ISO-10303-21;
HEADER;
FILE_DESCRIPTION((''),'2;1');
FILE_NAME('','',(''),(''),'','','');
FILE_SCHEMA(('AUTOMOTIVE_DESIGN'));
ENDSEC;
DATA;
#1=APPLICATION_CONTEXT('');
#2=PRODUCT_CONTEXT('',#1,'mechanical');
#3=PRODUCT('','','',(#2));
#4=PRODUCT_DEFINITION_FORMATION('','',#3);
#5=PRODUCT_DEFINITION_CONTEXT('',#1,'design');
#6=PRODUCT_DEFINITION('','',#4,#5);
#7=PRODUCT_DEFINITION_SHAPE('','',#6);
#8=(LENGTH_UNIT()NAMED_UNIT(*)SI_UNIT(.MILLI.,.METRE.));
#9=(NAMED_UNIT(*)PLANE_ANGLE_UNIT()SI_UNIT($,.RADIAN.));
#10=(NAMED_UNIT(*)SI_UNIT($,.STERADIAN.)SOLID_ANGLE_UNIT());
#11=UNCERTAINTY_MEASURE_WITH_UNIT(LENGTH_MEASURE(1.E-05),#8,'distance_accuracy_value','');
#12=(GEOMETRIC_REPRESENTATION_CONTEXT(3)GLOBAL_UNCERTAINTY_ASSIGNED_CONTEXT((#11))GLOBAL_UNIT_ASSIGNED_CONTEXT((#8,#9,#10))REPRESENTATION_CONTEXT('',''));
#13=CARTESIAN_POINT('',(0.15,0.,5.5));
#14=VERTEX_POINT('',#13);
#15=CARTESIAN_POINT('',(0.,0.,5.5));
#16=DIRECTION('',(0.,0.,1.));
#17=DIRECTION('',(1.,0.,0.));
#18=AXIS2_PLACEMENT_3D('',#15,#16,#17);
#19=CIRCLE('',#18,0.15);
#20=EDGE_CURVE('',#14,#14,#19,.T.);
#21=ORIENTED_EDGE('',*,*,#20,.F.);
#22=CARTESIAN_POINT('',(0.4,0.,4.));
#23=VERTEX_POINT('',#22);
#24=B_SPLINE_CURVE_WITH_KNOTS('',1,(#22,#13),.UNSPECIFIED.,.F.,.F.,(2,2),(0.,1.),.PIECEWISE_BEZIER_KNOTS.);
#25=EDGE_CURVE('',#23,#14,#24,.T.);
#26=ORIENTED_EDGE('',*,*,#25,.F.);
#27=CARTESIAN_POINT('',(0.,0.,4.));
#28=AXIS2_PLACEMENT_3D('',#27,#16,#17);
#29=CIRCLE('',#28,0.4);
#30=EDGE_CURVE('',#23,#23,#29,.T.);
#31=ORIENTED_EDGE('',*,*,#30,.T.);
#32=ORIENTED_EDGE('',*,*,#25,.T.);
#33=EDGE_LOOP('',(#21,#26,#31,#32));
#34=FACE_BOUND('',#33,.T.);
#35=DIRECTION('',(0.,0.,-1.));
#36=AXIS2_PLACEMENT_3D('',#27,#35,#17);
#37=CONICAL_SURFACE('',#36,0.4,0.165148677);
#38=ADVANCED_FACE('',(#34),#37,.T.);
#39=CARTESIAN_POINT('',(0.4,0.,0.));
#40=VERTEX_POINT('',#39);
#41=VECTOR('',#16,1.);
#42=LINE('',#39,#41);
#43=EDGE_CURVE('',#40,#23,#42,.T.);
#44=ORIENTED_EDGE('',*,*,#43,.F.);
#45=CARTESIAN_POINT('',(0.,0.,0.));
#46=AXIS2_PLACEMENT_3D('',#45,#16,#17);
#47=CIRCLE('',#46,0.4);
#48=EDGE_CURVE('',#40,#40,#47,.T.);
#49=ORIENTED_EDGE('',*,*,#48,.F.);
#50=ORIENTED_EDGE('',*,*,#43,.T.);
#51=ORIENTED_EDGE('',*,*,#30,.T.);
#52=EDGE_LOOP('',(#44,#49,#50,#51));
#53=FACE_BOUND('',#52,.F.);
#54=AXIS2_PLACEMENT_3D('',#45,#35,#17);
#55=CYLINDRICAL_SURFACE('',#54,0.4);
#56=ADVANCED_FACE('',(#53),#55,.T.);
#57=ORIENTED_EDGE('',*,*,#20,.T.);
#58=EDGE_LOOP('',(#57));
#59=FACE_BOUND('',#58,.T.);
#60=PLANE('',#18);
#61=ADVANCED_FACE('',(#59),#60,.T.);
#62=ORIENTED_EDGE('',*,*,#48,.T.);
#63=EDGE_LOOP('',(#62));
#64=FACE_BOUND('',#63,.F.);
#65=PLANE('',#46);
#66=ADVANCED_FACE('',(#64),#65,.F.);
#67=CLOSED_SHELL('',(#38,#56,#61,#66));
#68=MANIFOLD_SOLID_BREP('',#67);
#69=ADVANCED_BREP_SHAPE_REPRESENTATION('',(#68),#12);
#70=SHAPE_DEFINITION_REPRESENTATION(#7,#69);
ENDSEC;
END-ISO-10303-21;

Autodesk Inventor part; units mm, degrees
ref_plane "YZ Plane" through (0, 0, 0) normal (1, 0, 0) x (0, 1, 0)
ref_plane "XZ Plane" through (0, 0, 0) normal (0, 1, 0) x (-1, 0, 0)
sketch "Sketch1" plane through (0, 0, 0) normal (0, 0, 1) x (1, 0, 0)
  circle A0 centre (0, 0) radius 0.4
  dimension "d0" = 0.8
extrude "Extrusion1" add sketch "Sketch1" along normal blind 4
sketch "Sketch2" plane through (0, 0, 4) normal (0, 0, 1) x (1, 0, 0)
  circle A0 centre (0, 0) radius 0.4 projected
ref_plane "Work Plane1" through (0, 0, 5.5) normal (0, 0, 1) x (1, 0, 0)
sketch "Sketch3" plane through (0, 0, 5.5) normal (0, 0, 1) x (1, 0, 0)
  circle A0 centre (0, 0) radius 0.15
  dimension "d4" = 0.3
loft "Loft1" add profiles "Sketch2", "Sketch3"
properties part number "Stand"
